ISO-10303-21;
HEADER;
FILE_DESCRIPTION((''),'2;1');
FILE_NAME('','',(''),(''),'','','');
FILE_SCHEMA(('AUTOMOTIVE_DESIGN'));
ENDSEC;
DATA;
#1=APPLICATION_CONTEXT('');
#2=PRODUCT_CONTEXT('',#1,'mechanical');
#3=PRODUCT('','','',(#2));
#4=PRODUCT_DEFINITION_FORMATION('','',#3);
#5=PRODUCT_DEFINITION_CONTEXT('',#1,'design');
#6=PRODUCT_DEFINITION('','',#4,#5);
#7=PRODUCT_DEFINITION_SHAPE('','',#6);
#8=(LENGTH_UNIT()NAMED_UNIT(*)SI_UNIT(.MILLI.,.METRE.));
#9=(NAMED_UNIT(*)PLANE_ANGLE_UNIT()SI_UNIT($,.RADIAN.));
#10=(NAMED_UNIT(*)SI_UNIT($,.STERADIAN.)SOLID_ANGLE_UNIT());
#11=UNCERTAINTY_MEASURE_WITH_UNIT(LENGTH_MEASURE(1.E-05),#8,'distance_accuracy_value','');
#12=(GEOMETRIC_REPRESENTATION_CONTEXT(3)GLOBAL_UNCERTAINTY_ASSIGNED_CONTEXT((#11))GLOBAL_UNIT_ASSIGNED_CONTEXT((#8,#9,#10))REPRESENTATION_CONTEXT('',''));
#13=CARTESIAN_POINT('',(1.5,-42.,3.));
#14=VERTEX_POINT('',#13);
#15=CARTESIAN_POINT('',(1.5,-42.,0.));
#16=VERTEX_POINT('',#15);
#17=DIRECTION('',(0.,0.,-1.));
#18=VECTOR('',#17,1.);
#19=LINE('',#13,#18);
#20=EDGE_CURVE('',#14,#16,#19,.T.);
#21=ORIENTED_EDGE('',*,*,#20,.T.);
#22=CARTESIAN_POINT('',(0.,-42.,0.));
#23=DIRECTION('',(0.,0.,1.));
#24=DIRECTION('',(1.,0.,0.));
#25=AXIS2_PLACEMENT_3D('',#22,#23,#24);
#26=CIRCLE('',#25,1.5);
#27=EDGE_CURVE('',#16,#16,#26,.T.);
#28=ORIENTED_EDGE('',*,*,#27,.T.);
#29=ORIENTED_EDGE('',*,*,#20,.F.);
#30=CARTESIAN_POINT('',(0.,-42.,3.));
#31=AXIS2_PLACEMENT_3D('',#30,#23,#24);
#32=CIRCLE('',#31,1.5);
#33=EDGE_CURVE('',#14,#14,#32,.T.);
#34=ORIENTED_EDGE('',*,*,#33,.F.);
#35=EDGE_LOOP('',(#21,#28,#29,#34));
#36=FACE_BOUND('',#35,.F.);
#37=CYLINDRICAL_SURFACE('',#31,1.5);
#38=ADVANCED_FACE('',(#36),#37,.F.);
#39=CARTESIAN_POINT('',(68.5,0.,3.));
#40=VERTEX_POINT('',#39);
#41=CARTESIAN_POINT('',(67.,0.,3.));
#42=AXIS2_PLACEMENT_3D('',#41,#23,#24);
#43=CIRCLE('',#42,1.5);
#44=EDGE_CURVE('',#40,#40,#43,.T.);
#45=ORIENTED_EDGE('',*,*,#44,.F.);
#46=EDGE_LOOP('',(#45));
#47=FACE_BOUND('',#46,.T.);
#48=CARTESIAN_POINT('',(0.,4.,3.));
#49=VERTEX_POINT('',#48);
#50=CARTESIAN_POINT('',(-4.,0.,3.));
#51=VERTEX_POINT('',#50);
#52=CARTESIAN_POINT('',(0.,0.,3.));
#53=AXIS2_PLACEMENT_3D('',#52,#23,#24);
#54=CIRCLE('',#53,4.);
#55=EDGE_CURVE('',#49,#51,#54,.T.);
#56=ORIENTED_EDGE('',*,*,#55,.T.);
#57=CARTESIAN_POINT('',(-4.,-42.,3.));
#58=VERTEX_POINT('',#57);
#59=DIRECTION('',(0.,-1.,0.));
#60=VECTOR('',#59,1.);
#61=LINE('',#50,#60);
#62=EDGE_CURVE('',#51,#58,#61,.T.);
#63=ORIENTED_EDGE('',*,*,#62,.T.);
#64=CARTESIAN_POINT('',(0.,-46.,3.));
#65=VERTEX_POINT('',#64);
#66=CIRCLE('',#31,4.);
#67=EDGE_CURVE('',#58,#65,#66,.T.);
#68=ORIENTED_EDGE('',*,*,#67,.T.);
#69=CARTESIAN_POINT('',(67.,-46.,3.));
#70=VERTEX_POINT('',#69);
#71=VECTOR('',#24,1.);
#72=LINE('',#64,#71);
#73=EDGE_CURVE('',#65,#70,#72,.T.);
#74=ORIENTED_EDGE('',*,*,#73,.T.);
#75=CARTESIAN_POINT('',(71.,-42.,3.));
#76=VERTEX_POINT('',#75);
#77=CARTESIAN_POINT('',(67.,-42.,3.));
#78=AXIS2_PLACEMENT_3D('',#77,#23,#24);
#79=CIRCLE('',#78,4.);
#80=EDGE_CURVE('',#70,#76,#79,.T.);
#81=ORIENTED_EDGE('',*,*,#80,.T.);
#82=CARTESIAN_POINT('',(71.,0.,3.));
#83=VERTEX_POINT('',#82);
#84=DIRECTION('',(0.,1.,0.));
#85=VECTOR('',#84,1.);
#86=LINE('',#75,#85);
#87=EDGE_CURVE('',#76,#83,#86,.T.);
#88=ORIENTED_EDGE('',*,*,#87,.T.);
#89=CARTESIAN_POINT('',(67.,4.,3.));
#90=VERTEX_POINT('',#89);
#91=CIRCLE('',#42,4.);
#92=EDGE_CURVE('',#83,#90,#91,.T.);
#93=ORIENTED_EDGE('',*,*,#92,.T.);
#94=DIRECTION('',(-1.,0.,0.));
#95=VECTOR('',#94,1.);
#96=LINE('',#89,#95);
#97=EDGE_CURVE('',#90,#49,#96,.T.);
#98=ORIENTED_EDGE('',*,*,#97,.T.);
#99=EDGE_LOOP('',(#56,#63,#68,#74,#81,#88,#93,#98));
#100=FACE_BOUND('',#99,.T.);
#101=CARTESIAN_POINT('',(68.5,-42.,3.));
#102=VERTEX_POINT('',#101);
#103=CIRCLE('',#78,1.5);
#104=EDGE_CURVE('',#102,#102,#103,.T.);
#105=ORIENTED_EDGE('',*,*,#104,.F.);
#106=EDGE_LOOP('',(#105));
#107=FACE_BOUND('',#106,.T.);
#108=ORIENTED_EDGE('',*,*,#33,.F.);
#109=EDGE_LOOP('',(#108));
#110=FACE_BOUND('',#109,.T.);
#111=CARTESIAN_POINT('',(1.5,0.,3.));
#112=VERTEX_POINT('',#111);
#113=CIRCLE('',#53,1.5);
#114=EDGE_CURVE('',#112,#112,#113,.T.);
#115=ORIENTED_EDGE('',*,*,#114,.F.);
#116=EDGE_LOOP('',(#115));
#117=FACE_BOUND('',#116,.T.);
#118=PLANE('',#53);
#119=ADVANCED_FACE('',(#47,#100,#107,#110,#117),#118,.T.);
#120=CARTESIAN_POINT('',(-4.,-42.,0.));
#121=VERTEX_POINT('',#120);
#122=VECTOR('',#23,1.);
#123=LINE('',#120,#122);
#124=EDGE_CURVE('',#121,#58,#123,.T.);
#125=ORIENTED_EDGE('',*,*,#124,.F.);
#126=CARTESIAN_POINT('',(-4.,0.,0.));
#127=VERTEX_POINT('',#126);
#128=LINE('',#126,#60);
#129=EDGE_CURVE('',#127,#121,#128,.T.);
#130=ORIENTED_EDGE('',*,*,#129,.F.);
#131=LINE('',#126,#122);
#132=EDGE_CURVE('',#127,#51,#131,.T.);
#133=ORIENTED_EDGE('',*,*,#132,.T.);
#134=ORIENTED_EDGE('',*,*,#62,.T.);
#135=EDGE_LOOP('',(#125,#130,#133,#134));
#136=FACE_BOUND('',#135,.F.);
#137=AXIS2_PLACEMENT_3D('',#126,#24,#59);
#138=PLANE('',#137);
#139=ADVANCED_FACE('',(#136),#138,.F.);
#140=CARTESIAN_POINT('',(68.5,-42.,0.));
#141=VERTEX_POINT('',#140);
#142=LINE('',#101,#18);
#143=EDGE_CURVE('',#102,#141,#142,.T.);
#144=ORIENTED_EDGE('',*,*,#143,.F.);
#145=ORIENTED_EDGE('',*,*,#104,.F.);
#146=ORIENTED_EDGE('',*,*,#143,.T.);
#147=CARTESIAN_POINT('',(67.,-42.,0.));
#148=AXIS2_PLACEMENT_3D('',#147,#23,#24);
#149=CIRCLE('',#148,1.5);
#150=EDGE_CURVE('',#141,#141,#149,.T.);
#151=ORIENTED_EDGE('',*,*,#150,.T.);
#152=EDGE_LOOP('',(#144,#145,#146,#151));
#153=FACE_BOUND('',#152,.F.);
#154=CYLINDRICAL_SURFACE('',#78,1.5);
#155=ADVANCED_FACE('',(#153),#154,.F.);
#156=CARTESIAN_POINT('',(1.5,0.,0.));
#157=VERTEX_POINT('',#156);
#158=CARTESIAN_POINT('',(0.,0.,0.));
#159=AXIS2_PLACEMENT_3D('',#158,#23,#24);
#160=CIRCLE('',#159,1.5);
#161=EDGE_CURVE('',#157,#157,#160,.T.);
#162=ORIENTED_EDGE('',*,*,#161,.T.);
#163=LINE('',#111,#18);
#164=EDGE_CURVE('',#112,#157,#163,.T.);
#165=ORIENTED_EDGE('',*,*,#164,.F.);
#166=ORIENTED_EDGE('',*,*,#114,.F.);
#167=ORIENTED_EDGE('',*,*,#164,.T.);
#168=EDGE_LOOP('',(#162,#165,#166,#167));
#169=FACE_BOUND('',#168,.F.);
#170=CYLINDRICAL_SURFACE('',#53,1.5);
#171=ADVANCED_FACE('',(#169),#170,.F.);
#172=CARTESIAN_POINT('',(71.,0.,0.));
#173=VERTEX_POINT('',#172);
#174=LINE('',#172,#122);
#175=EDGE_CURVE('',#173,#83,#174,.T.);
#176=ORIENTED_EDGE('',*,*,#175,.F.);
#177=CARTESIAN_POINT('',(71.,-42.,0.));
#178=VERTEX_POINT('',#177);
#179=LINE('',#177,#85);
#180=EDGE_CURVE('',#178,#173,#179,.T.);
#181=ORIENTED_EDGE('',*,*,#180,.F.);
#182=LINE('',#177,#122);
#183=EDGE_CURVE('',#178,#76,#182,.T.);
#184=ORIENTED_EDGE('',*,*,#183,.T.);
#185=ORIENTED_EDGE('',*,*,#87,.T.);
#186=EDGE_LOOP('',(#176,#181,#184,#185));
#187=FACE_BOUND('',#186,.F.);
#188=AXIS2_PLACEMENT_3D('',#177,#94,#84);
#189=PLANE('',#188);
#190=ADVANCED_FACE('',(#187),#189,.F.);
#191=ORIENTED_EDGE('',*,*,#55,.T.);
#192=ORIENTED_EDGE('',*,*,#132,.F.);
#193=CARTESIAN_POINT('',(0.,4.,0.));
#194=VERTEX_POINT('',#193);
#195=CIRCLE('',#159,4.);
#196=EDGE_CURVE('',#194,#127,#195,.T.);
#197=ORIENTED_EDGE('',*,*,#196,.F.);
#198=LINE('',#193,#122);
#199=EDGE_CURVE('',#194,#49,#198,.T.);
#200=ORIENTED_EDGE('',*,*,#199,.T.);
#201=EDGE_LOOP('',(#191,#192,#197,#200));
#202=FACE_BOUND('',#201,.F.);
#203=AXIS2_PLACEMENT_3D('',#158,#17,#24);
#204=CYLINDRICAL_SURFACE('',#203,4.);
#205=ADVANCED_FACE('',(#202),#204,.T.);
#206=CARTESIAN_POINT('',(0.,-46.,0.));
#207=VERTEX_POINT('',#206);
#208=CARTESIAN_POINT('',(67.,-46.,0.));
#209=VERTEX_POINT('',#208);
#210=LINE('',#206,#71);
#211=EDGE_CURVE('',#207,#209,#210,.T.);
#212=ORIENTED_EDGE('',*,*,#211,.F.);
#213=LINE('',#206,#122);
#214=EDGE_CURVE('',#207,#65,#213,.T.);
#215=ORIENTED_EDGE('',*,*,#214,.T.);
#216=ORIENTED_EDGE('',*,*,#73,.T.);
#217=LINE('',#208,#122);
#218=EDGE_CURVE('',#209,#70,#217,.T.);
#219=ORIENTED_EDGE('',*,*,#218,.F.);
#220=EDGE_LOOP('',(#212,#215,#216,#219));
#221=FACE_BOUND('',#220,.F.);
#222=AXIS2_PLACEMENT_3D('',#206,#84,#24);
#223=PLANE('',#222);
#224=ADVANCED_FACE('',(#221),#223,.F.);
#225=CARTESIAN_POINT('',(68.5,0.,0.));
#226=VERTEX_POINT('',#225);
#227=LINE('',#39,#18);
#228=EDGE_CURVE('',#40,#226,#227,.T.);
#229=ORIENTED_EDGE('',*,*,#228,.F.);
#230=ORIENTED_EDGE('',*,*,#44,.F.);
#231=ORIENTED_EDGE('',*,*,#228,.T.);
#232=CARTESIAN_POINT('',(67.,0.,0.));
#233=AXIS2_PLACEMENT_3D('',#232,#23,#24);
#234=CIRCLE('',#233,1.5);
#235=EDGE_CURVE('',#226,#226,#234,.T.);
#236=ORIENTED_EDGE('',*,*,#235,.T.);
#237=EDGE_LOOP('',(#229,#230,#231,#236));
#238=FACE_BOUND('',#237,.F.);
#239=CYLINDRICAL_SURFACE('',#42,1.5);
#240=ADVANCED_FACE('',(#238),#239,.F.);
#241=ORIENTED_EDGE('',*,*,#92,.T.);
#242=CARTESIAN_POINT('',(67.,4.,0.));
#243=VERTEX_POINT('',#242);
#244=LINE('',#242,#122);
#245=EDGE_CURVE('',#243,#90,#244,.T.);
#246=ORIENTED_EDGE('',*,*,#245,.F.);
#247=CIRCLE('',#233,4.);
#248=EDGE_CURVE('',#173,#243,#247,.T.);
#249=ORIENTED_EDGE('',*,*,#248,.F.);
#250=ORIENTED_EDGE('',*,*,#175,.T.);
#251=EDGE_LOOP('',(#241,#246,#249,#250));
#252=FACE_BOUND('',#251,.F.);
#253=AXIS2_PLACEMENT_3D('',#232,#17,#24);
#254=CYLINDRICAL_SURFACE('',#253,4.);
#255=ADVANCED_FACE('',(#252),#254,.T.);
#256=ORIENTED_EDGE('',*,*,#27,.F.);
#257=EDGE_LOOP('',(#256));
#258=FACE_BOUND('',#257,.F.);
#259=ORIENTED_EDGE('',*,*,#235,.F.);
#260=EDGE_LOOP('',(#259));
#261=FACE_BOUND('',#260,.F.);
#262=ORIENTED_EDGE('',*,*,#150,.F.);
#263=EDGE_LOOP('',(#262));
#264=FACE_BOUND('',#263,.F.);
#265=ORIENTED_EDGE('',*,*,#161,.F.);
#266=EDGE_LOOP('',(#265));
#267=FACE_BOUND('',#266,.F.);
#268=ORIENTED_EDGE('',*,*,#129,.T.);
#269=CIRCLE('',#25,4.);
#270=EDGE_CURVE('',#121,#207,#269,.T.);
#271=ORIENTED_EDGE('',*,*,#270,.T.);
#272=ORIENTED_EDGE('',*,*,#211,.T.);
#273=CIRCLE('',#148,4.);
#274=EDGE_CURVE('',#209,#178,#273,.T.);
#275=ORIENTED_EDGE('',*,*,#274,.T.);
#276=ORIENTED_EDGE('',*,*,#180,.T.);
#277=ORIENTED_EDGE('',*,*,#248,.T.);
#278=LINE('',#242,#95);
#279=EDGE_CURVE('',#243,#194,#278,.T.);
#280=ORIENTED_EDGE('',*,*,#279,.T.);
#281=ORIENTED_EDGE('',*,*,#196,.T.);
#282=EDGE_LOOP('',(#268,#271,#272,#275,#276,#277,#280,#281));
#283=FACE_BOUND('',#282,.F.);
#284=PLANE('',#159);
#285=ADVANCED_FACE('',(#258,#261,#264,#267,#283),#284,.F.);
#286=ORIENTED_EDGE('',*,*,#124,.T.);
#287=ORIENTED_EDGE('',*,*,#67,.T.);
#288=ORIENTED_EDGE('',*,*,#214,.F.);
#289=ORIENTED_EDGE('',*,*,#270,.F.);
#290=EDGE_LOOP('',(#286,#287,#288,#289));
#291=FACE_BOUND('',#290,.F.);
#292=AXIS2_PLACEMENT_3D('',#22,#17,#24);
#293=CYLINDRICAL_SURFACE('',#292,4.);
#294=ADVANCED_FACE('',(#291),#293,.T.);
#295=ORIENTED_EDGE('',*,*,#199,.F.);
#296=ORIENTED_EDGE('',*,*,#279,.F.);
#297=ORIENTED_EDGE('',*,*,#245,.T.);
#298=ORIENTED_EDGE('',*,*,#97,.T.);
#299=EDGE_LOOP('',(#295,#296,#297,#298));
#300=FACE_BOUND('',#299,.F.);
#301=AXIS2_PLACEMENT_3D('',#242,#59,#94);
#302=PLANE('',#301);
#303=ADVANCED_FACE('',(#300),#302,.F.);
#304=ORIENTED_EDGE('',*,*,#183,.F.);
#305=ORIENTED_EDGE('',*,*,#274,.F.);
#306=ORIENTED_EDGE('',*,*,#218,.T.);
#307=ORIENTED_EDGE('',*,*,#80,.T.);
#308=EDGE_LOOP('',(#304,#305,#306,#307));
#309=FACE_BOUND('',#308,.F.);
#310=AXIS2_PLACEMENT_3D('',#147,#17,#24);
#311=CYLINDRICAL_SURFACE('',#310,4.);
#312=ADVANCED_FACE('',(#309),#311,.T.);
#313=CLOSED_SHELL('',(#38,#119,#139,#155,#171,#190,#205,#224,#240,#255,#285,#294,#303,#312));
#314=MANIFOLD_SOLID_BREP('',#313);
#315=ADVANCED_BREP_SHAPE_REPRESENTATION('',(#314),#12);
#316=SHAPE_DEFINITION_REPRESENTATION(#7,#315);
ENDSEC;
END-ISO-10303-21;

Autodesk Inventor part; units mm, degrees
ref_plane "YZ Plane" through (0, 0, 0) normal (1, 0, 0) x (0, 1, 0)
ref_plane "XZ Plane" through (0, 0, 0) normal (0, 1, 0) x (-1, 0, 0)
ref_plane "XY Plane" through (0, 0, 0) normal (0, 0, 1) x (1, 0, 0)
sketch "Sketch1" plane through (0, 0, 0) normal (0, 0, 1) x (1, 0, 0)
  circle A0 centre (67, 0) radius 1.5 projected
  circle A1 centre (67, 0) radius 4 projected
  circle A2 centre (67, -42) radius 1.5 projected
  circle A3 centre (67, -42) radius 4 projected
  circle A4 centre (0, -42) radius 1.5 projected
  circle A5 centre (0, -42) radius 4 projected
  circle A6 centre (0, 0) radius 1.5 projected
  circle A7 centre (0, 0) radius 4 projected
  line L0 (67, 4) -> (0, 4)
  line L1 (-4, 0) -> (-4, -42)
  line L2 (0, -46) -> (67, -46)
  line L3 (71, -42) -> (71, 0)
  point P0 (0, 0)
extrude "Extrusion1" add sketch "Sketch1" along normal blind 3 contours A0 | A1 | L3 A3 L2 A5 L1 A7 L0 A1 | A3 | A7 | A5 | A2 | A4 | A6
sketch "Sketch2" plane through (0, 0, 3) normal (0, 0, 1) x (1, 0, 0)
  line L0 (67, 4) -> (0, 4) projected
  arc A0 (0, 4) -> (-4, 0) centre (0, 0) ccw projected
  line L1 (-4, 0) -> (-4, -42) projected
  arc A1 (-4, -42) -> (0, -46) centre (0, -42) ccw projected
  line L2 (0, -46) -> (67, -46) projected
  arc A2 (67, -46) -> (71, -42) centre (67, -42) ccw projected
  line L3 (71, -42) -> (71, 0) projected
  arc A3 (71, 0) -> (67, 4) centre (67, 0) ccw projected
  circle A4 centre (67, 0) radius 1.5 projected
  circle A5 centre (67, -42) radius 1.5 projected
  circle A6 centre (0, -42) radius 1.5 projected
  circle A7 centre (0, 0) radius 1.5 projected
  point P0 (0, 0)
extrude "Extrusion2" cut sketch "Sketch2" against normal through all contours A4 | A5 | A6 | A7
properties part number "cellSTORM_v5_miniElectronics_lid"
